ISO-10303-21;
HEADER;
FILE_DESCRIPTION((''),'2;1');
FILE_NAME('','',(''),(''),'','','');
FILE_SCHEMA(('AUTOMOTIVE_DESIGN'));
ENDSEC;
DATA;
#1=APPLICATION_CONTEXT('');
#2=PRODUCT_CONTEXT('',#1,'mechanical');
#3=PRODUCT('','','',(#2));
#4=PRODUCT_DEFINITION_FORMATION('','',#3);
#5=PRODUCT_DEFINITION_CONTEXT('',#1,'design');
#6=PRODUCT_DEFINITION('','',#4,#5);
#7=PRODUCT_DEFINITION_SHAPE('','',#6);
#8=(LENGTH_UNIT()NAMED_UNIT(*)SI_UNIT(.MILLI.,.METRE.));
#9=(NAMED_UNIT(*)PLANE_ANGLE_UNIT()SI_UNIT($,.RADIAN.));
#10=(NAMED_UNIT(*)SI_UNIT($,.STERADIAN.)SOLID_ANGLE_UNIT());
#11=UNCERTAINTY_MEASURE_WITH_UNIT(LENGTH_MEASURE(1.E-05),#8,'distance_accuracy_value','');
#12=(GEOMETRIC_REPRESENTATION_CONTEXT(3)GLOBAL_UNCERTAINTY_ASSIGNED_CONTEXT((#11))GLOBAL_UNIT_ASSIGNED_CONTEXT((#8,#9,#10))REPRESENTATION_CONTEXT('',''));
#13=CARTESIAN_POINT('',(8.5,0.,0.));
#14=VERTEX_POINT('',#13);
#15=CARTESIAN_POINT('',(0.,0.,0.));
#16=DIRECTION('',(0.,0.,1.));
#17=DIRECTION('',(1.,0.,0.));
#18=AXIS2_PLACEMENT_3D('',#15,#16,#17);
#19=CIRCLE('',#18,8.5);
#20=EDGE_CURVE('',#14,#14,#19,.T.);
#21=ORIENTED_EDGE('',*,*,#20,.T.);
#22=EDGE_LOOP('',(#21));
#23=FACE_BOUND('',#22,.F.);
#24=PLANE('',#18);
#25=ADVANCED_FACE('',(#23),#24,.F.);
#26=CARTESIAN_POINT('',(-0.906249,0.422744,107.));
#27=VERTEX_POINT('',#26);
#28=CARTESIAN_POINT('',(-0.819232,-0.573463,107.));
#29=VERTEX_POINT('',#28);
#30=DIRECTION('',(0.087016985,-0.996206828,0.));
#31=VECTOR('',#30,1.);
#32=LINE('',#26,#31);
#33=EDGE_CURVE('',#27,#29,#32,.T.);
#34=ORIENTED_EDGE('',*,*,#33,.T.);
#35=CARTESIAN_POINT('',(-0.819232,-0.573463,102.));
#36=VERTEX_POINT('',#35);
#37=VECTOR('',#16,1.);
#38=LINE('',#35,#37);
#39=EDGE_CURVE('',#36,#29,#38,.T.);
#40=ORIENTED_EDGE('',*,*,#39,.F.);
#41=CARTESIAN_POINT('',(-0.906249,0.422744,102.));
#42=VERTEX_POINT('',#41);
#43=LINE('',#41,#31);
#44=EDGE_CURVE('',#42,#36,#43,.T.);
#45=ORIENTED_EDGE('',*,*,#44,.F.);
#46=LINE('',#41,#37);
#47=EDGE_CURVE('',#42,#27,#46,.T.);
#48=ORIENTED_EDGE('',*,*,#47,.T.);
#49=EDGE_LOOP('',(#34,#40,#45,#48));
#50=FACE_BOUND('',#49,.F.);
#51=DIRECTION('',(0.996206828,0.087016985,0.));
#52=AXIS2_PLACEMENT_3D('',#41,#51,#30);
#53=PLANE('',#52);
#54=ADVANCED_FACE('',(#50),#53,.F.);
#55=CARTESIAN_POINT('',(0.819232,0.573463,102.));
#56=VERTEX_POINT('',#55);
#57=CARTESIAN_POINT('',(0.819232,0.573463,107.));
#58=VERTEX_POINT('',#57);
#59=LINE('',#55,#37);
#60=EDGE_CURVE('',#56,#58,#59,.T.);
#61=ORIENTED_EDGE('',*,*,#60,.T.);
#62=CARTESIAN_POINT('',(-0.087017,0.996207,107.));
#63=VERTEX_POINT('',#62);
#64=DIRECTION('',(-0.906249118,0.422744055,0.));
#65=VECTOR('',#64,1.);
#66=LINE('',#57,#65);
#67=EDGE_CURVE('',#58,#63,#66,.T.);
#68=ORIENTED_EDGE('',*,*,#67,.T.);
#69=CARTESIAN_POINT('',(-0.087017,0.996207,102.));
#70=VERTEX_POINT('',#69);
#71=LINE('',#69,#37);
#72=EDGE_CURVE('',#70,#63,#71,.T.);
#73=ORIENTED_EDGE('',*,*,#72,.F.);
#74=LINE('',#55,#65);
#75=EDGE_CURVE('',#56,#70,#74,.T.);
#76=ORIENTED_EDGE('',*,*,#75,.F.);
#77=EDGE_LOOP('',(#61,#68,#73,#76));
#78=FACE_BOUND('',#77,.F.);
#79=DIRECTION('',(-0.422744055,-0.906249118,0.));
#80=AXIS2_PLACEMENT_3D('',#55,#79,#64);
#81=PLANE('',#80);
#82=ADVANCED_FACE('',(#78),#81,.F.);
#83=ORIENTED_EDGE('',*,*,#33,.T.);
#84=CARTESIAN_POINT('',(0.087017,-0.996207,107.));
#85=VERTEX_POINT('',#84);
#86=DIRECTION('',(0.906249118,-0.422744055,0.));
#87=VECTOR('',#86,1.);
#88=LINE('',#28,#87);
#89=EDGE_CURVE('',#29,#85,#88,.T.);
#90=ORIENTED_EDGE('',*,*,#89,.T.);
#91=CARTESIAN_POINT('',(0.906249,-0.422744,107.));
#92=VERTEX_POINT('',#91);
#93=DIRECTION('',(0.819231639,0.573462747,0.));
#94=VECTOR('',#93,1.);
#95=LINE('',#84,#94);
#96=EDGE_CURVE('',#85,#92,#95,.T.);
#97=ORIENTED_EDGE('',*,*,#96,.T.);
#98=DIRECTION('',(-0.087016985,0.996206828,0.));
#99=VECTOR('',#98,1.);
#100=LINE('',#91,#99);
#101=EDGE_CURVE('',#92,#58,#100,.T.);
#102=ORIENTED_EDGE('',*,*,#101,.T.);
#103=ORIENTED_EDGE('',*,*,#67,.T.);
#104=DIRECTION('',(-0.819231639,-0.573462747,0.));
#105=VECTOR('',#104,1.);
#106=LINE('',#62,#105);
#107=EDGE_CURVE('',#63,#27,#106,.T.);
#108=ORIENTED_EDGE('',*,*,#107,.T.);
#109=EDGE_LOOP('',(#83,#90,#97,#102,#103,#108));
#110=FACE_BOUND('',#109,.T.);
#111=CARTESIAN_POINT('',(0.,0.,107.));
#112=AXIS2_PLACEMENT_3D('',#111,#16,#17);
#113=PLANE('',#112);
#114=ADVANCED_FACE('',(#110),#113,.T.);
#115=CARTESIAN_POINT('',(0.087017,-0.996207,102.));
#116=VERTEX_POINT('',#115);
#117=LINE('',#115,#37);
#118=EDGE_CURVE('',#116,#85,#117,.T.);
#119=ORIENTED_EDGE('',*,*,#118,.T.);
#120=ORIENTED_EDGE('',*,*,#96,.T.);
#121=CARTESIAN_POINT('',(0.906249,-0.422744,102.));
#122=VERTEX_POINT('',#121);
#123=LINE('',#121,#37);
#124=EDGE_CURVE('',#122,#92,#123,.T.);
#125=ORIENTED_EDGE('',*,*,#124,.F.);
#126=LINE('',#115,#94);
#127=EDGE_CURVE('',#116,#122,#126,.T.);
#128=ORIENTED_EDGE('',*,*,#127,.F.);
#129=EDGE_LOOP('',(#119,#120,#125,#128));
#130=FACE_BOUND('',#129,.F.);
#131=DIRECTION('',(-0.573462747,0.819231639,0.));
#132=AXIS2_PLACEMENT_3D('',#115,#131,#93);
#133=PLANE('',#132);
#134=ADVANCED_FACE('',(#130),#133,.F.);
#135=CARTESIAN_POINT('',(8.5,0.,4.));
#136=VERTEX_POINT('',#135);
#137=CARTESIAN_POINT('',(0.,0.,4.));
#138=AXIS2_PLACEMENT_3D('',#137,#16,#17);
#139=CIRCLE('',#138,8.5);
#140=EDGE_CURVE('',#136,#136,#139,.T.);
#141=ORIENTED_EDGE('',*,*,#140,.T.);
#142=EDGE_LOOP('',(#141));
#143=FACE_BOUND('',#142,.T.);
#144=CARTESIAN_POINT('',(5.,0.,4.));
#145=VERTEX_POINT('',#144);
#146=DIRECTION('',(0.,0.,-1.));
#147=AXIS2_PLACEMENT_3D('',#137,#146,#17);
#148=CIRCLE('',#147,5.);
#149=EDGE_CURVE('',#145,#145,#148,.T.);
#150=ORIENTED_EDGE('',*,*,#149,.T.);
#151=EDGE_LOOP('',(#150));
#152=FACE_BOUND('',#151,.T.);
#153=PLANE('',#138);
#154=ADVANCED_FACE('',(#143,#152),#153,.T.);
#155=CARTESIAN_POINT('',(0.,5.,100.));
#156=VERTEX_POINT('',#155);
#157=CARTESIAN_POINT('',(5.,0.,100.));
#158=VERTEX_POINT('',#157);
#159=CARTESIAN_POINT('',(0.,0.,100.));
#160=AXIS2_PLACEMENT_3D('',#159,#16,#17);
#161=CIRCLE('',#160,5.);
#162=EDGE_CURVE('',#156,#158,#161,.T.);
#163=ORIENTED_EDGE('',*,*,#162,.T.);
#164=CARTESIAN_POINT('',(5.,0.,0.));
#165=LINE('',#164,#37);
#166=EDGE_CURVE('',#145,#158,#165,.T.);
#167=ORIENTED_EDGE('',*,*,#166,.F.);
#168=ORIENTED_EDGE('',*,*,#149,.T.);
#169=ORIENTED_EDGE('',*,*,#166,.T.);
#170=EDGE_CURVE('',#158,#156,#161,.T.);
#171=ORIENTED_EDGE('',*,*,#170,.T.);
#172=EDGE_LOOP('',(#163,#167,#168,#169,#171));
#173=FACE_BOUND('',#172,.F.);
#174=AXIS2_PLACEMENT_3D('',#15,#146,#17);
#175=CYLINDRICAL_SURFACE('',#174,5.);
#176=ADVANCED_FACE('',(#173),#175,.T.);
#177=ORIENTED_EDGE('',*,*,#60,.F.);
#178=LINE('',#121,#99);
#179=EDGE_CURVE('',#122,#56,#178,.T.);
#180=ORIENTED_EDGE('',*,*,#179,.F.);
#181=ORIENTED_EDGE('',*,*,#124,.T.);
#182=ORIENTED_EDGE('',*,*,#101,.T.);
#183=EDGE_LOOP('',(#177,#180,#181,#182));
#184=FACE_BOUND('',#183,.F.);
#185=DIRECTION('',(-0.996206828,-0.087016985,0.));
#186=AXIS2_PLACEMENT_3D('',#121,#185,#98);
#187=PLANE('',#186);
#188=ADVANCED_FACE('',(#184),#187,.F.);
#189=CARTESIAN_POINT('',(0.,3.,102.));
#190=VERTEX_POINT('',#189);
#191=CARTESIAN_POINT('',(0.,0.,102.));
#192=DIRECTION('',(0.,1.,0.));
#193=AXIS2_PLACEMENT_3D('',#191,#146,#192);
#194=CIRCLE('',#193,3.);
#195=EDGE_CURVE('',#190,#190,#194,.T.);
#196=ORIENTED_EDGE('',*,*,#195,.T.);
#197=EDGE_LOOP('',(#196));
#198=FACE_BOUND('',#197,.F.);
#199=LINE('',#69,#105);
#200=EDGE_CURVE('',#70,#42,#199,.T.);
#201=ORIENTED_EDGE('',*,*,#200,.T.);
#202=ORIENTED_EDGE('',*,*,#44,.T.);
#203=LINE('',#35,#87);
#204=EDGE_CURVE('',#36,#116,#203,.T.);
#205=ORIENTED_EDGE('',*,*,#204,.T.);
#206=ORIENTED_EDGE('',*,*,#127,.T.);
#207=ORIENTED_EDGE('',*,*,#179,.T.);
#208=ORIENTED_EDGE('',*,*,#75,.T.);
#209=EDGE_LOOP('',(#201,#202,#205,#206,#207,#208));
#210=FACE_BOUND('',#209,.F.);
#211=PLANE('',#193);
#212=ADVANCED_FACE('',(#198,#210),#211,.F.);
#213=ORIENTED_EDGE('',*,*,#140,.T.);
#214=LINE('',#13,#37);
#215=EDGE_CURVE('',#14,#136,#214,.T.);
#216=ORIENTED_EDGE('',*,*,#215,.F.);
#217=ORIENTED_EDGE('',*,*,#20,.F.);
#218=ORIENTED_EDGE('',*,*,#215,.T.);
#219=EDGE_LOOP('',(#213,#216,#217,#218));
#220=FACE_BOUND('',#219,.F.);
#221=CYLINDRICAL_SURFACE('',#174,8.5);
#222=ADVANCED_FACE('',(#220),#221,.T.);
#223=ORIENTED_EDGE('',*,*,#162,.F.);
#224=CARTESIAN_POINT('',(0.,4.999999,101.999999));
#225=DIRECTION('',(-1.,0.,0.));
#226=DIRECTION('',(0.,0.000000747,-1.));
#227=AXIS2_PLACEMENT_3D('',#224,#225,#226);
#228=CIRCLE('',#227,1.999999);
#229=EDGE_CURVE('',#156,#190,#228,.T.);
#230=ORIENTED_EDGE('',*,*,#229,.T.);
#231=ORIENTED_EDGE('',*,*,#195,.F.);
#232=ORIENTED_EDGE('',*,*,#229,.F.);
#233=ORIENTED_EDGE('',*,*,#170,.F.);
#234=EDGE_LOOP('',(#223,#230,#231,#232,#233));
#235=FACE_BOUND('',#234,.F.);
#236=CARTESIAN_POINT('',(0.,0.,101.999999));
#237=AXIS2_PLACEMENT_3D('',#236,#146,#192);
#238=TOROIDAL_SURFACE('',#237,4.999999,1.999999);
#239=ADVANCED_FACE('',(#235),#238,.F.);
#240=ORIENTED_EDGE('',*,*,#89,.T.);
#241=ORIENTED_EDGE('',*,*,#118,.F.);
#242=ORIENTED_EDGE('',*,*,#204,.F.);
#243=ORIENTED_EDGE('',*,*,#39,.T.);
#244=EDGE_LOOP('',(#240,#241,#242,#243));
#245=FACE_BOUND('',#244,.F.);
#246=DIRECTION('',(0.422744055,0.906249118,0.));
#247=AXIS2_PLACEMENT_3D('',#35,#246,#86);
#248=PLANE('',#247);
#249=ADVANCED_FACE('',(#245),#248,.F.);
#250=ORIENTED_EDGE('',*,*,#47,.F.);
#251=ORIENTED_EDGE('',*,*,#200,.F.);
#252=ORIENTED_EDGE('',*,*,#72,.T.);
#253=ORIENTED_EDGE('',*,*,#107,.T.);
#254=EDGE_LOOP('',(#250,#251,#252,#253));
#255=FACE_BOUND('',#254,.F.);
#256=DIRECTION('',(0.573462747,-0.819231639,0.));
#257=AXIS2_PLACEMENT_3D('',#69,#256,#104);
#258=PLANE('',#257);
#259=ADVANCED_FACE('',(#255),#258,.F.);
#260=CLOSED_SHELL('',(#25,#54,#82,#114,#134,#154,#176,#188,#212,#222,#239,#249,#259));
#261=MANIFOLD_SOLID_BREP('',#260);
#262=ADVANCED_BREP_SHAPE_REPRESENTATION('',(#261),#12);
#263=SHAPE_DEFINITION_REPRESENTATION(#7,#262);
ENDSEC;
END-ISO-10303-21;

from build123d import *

# Parameters (mm, degrees)
F0_R     = 8.5
F1_DEPTH = 4
F2_R     = 5
F3_DEPTH = 100
F7_DEPTH = 5


with BuildPart() as f1:
    # F0 (on Top) → F1 (new body)
    with BuildSketch(Plane.XY):
        Circle(F0_R)
    extrude(amount=F1_DEPTH)

    # F2 (on Top) → F3 (join)
    with BuildSketch(Plane.XY):
        Circle(F2_R)
    extrude(amount=F3_DEPTH)

    # F4 (on Right) → F5 (revolve)
    with BuildSketch(Plane.YZ):
        with BuildLine():
            Line((3, 102), (0, 102))
            Line((0, 102), (0, 100))
            Line((0, 100), (5, 100))
            ThreePointArc((5, 100), (3.585786, 100.585786), (3, 102))
        make_face()
    revolve(axis=Axis((0, 0, 101), (0, 0, -1)))

    # F6 (on face) → F7 (join)
    with BuildSketch(Plane.XY.offset(102)):
        Polygon((0.087017, -0.996207), (0.906249, -0.422744), (0.819232, 0.573463), (-0.087017, 0.996207), (-0.906249, 0.422744), (-0.819232, -0.573463), align=None)
    extrude(amount=F7_DEPTH)


solid = f1.part
